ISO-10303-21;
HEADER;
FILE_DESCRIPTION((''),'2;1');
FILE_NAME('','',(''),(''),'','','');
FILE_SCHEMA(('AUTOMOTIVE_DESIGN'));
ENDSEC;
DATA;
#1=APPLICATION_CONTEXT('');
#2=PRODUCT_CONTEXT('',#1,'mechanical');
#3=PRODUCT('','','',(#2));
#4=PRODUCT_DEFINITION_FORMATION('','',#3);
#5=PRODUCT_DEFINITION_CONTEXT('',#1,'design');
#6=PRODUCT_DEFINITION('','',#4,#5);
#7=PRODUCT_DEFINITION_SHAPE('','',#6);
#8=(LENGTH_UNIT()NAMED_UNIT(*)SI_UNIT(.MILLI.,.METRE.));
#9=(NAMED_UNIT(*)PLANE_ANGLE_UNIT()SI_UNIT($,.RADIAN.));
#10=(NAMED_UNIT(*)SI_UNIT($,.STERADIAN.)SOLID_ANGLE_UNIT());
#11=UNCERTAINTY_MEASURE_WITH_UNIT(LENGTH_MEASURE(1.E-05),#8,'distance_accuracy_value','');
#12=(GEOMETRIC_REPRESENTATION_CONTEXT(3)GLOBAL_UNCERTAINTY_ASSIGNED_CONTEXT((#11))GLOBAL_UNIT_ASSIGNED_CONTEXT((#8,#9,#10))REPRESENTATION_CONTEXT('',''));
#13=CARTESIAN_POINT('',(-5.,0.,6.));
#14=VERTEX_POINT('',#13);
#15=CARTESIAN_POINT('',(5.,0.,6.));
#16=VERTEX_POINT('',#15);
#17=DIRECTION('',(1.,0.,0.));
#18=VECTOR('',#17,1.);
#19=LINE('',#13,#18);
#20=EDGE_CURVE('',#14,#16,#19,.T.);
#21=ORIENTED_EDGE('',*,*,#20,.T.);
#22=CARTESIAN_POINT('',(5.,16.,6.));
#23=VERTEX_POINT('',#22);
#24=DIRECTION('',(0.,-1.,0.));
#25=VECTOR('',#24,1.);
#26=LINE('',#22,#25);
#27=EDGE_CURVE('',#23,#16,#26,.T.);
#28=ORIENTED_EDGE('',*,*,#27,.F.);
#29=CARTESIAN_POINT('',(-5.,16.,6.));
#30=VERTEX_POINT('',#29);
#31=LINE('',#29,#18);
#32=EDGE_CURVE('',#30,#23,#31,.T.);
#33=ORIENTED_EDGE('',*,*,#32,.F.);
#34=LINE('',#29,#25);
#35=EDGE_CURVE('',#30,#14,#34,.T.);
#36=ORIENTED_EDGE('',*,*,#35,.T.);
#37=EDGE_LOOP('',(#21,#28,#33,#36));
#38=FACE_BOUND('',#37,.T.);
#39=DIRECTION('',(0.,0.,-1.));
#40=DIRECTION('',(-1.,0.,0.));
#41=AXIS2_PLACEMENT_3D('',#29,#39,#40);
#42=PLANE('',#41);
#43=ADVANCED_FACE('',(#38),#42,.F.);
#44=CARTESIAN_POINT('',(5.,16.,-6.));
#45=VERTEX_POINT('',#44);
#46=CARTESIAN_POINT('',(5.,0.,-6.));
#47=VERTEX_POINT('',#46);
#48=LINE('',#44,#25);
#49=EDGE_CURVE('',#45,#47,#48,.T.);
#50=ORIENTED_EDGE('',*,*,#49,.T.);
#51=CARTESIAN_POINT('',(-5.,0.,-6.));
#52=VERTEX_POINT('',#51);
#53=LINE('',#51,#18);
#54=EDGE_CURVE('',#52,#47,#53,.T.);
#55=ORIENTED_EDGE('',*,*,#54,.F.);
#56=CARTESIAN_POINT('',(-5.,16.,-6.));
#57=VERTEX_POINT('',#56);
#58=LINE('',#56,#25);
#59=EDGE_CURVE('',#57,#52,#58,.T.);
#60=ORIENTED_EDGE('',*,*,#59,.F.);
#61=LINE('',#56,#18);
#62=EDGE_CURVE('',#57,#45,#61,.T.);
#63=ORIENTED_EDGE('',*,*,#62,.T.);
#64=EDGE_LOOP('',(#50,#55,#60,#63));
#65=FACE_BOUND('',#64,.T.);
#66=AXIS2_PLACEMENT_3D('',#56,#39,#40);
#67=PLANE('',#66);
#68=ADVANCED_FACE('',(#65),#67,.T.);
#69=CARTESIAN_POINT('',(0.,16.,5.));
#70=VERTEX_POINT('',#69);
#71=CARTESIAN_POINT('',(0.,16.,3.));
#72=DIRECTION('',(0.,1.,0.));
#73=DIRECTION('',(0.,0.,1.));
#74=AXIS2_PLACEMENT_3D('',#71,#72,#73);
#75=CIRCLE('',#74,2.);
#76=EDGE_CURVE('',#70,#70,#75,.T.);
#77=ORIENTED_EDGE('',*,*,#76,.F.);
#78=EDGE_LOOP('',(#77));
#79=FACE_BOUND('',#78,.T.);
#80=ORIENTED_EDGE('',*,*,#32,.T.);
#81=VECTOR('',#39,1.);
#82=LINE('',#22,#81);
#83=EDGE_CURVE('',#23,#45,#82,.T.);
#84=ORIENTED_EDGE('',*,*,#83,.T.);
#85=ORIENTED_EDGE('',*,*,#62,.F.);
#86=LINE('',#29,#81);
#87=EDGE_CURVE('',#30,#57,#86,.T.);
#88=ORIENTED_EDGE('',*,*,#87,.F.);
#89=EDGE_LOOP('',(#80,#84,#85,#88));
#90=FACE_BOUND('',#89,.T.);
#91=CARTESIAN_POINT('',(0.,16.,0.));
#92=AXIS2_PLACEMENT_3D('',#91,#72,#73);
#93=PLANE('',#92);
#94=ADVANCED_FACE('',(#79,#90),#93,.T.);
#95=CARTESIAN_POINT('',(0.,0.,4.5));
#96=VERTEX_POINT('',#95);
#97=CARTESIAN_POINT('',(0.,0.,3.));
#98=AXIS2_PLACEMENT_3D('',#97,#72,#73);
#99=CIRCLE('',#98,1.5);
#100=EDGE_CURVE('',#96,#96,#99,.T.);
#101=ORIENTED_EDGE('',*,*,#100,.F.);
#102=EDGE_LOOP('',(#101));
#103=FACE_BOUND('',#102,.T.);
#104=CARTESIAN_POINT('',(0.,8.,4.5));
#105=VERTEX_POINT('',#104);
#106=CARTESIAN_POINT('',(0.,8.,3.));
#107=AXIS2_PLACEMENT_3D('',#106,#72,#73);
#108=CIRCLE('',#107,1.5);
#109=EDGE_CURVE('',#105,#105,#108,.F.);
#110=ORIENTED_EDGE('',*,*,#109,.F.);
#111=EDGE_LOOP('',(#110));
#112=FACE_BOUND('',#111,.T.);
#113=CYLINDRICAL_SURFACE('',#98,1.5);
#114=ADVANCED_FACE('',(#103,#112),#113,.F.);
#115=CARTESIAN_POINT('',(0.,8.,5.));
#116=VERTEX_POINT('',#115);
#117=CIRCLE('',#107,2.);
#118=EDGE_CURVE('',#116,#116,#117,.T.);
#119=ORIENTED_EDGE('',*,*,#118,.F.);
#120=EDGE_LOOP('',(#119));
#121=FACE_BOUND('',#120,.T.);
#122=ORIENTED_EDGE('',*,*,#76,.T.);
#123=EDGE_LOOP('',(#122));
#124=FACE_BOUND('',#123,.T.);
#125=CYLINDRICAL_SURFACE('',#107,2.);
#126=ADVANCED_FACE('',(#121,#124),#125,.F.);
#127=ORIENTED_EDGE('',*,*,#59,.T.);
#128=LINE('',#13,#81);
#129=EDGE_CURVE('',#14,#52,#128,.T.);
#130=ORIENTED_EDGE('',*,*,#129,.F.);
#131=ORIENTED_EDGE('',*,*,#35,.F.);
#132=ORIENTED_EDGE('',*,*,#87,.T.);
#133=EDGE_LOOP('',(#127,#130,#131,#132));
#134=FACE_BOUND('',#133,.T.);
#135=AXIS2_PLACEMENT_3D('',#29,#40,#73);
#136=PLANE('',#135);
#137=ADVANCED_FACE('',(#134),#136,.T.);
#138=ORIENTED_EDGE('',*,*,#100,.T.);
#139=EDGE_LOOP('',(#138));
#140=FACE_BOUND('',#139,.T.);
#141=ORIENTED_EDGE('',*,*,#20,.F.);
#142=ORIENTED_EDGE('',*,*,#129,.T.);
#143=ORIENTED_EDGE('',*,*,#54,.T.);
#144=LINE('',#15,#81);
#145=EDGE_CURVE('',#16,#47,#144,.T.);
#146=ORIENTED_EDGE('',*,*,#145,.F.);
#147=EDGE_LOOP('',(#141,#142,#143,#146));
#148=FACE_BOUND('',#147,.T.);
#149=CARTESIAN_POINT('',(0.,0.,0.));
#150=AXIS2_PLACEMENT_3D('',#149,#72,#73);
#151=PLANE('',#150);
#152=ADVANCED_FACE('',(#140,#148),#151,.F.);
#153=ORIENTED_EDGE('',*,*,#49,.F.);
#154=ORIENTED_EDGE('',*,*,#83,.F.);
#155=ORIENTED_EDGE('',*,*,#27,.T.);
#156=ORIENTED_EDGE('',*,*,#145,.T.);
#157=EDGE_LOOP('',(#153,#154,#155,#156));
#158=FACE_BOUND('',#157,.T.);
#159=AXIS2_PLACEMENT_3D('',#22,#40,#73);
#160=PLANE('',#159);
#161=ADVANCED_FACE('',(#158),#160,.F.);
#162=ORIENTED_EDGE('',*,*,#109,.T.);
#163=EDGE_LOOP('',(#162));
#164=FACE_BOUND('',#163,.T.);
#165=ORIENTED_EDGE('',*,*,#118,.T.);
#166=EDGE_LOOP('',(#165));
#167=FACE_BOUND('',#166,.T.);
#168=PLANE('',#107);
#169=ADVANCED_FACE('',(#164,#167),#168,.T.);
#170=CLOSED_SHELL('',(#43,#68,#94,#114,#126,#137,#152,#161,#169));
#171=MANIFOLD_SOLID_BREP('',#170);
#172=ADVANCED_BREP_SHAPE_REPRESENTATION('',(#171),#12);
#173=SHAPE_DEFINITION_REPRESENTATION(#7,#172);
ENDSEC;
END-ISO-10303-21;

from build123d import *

# Parameters (mm, degrees)
SKETCH1_W           = 10
SKETCH1_H           = 12
BOSS_EXTRUDE1_DEPTH = 16
SKETCH2_R           = 1.5
CUT_EXTRUDE1_DEPTH  = 16
SKETCH2_3_R         = 2
CUT_EXTRUDE2_DEPTH  = 8


with BuildPart() as part:
    # Sketch1 → Boss-Extrude1 (new body)
    with BuildSketch(Plane(origin=(0, 0, 0), x_dir=(1, 0, 0), z_dir=(0, 1, 0))):
        Rectangle(SKETCH1_W, SKETCH1_H)
    extrude(amount=BOSS_EXTRUDE1_DEPTH)

    # Sketch2 → Cut-Extrude1 (cut)
    with BuildSketch(Plane(origin=(0, 16, 0), x_dir=(1, 0, 0), z_dir=(0, 1, 0))):
        with Locations((0, -3)):
            Circle(SKETCH2_R)
    extrude(amount=-CUT_EXTRUDE1_DEPTH, mode=Mode.SUBTRACT)

    # Sketch2<3> → Cut-Extrude2 (cut)
    with BuildSketch(Plane(origin=(0, 16, 0), x_dir=(1, 0, 0), z_dir=(0, 1, 0))):
        with Locations((0, -3)):
            Circle(SKETCH2_3_R)
    extrude(amount=-CUT_EXTRUDE2_DEPTH, mode=Mode.SUBTRACT)


solid = part.part
